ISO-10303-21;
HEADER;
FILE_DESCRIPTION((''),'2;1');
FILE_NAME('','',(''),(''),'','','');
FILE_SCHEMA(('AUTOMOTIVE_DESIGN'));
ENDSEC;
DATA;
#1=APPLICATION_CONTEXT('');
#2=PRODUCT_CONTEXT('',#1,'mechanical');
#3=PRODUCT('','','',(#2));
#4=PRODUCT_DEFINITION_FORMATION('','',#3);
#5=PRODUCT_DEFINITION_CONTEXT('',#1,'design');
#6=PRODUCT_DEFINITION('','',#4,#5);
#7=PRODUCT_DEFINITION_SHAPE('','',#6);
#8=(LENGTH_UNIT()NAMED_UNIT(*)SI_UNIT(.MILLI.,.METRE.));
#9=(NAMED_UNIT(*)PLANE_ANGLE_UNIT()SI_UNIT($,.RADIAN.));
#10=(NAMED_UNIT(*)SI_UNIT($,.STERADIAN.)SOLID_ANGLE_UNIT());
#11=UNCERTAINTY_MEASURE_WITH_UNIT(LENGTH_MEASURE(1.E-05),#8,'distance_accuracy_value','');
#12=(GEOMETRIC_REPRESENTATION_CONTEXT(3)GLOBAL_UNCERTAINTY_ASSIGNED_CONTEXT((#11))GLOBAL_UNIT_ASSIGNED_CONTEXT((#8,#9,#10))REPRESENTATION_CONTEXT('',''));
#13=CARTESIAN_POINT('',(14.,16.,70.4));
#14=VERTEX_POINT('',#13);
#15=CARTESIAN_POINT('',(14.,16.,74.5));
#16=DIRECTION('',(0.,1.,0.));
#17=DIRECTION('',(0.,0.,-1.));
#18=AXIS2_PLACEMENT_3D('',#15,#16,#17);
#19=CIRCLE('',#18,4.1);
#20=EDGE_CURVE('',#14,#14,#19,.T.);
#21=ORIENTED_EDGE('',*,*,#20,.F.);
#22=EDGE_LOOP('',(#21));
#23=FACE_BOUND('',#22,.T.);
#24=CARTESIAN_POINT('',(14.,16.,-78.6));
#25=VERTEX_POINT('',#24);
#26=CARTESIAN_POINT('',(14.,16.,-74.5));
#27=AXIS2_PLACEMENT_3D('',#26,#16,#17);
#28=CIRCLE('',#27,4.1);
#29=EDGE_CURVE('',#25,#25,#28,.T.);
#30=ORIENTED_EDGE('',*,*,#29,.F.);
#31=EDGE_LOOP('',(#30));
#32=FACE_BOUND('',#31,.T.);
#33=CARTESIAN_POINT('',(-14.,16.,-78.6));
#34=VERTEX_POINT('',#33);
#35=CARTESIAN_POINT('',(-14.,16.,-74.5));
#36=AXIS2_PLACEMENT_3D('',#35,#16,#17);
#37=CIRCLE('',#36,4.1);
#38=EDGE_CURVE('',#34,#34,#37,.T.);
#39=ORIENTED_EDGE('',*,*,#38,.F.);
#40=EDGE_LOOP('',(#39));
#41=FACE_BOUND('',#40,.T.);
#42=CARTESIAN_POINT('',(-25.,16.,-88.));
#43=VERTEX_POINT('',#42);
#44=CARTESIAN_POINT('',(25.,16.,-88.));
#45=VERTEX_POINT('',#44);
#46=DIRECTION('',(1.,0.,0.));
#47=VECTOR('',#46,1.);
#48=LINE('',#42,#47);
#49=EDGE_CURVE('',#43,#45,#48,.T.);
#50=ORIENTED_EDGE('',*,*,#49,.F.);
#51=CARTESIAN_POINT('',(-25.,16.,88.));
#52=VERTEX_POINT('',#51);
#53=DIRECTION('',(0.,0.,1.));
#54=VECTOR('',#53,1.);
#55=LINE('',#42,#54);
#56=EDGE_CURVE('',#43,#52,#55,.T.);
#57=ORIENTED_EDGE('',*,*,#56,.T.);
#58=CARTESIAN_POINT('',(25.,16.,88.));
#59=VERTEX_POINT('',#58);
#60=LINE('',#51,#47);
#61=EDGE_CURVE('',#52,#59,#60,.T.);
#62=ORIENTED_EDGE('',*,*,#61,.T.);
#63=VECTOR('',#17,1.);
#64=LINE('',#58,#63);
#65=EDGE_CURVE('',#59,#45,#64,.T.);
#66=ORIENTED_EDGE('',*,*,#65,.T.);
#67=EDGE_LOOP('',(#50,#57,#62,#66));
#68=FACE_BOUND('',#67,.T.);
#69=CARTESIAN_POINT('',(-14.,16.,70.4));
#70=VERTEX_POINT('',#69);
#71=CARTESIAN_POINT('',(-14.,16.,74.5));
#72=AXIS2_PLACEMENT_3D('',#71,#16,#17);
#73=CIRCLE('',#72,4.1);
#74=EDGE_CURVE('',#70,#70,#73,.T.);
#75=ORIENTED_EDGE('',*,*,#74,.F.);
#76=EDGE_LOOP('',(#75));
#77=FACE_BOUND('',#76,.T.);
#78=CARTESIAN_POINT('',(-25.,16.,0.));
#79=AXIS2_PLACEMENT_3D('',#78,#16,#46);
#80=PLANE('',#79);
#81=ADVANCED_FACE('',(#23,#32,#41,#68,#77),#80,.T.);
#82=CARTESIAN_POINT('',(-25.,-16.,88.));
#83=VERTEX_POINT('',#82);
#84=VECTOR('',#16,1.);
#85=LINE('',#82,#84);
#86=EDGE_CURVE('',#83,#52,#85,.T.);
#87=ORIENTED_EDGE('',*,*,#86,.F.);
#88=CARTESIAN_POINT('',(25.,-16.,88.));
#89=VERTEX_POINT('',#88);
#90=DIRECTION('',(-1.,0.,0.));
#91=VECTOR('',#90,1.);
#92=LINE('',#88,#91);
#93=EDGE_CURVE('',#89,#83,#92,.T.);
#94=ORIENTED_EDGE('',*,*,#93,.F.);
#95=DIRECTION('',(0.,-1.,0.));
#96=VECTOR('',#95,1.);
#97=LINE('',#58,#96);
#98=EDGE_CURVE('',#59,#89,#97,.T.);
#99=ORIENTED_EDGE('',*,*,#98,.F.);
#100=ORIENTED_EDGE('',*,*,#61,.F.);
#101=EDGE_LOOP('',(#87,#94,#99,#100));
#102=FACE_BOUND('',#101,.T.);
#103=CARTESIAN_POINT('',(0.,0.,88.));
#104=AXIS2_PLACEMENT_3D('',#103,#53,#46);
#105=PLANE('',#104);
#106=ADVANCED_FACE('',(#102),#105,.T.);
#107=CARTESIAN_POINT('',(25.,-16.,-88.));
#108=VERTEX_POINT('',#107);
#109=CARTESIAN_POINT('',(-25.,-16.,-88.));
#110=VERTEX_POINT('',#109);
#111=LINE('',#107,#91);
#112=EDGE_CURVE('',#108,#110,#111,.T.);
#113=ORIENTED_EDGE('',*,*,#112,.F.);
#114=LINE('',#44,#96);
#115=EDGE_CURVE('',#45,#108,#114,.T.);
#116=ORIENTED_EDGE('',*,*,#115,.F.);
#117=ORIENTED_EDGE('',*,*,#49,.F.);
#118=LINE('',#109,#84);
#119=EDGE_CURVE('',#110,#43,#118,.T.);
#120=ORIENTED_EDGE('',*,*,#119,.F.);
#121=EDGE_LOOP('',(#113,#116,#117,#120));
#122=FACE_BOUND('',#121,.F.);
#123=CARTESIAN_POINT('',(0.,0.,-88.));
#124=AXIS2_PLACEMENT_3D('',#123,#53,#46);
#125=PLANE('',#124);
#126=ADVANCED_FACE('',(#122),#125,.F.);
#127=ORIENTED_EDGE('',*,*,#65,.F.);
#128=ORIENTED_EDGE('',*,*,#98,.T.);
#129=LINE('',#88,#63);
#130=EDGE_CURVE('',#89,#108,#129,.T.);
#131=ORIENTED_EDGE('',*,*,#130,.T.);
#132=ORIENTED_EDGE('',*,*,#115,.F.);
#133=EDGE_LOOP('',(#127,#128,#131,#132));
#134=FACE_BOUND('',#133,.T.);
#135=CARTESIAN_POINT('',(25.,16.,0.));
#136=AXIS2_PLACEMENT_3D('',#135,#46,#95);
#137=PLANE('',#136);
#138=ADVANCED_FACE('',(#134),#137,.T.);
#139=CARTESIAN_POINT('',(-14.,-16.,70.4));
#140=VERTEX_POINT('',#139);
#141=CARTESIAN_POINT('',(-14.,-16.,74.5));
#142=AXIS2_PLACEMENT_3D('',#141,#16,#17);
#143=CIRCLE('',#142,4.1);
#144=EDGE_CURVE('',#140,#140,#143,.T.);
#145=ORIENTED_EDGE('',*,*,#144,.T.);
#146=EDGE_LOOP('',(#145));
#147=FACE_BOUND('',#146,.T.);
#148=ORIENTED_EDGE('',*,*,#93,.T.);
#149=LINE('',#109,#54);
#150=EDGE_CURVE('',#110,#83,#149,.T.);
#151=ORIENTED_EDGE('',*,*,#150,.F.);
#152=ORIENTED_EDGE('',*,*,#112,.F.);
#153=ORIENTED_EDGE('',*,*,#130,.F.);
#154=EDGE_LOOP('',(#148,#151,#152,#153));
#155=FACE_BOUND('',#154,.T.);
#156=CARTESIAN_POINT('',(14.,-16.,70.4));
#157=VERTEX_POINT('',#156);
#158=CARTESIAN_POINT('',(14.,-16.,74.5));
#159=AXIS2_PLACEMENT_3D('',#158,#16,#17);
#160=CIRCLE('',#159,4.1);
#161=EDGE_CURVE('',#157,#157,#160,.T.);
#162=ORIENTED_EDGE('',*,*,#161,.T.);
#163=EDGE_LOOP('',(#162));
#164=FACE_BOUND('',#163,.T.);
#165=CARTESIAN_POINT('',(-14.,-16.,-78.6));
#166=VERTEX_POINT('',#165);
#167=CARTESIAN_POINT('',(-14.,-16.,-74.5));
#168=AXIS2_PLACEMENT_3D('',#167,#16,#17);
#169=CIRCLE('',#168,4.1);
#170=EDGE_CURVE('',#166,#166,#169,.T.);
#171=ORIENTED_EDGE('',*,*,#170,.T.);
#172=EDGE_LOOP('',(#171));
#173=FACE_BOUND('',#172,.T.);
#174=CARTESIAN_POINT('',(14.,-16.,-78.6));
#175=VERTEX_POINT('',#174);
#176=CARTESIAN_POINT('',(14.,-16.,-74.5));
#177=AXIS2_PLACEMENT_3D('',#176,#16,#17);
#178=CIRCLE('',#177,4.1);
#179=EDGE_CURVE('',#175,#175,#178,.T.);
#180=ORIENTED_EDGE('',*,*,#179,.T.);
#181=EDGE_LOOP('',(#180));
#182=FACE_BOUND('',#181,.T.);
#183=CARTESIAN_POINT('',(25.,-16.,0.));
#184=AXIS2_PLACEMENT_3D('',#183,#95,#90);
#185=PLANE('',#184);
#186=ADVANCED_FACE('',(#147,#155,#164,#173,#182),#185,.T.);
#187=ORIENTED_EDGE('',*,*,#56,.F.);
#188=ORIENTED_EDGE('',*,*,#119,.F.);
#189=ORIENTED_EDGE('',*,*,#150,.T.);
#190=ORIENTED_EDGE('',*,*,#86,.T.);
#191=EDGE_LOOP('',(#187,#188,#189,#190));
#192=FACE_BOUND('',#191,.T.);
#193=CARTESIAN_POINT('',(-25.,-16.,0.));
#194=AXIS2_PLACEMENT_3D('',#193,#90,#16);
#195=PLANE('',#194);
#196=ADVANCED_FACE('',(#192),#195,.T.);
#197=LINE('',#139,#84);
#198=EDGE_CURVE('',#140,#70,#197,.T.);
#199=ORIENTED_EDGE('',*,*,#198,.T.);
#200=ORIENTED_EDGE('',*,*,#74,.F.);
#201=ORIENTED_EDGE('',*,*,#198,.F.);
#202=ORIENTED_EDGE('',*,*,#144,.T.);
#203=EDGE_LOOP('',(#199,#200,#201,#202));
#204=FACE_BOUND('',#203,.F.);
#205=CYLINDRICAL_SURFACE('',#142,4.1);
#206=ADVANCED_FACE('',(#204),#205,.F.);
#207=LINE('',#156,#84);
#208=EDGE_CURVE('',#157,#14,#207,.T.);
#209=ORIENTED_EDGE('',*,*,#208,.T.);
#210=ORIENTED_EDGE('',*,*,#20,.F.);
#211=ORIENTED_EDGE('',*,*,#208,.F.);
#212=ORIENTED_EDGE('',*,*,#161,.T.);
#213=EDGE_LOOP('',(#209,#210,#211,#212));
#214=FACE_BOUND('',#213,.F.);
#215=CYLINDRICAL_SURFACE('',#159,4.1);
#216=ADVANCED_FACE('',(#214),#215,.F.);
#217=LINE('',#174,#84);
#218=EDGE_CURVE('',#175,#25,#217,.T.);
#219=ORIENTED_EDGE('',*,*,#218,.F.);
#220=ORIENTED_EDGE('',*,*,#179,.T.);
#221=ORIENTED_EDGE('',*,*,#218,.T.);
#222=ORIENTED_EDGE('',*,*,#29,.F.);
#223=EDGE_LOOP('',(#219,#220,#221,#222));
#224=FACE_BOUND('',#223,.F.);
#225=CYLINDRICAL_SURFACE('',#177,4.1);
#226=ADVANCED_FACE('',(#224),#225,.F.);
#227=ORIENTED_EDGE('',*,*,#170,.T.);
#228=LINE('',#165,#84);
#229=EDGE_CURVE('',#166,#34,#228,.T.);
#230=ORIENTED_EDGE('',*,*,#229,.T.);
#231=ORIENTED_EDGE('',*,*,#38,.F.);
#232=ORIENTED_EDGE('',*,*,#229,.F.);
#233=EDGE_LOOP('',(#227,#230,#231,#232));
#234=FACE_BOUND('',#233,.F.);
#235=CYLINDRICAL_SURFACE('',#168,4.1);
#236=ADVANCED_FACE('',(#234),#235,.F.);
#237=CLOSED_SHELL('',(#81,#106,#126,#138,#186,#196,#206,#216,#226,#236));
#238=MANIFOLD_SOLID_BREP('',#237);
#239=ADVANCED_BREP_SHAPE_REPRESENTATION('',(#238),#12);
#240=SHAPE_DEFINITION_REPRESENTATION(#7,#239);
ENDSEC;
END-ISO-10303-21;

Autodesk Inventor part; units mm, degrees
ref_plane "YZ Plane" through (0, 0, 0) normal (1, 0, 0) x (0, 1, 0)
ref_plane "XZ Plane" through (0, 0, 0) normal (0, 1, 0) x (-1, 0, 0)
ref_plane "XY Plane" through (0, 0, 0) normal (0, 0, 1) x (1, 0, 0)
sketch "Sketch2" plane through (0, 0, 0) normal (0, 0, 1) x (1, 0, 0)
  line L0 (-25, 16) -> (25, 16)
  line L1 (25, 16) -> (25, -16)
  line L2 (25, -16) -> (-25, -16)
  line L3 (-25, -16) -> (-25, 16)
  line L4 (-25, 16) -> (25, -16) construction
  line L5 (25, 16) -> (-25, -16) construction
  point P0 (0, 0)
  dimension "d4" = 32
  dimension "d5" = 50
extrude "Extrusion1" add sketch "Sketch2" along normal mid plane 176
sketch "Sketch5" plane through (0, 0, -88) normal (0, 0, -1) x (-1, 0, 0)
  line L0 (-14, 0) -> (-25, 0) construction
  line L1 (-25, -16) -> (-25, 16) projected
  line L2 (14, 0) -> (25, 0) construction
  line L3 (25, 16) -> (25, -16) projected
  line L4 (-25, 0) -> (25, 0) construction
  point P0 (0, 0)
  dimension "d14" = 28
sketch "Sketch6" plane through (-25, -16, -88) normal (0, -1, 0) x (1, 0, 0)
  point P0 (25, 88)
sketch "Sketch9" plane through (-25, -16, 88) normal (0, -1, 0) x (1, 0, 0)
  line L0 (0, 0) -> (50, 0) projected
  line L1 (39, 0) -> (39, -176) construction
  line L2 (0, -176) -> (50, -176) projected
  line L3 (50, -176) -> (0, -176) construction
  line L4 (39, -13.5) -> (50, -13.5) construction
  line L5 (50, -176) -> (50, 0) construction
  line L6 (11, -13.5) -> (0, -13.5) construction
  line L7 (0, 0) -> (0, -176) construction
  line L8 (11, -13.5) -> (11, 0)
  line L9 (11, -162.5) -> (0, -162.5) construction
  line L10 (11, -162.5) -> (11, -176) construction
  point P0 (25, -88)
  point P1 (39, -162.5)
  dimension "d36" = 28
  dimension "d37" = 28
  dimension "d38" = 149
hole "Hole3" at (14, -16, 74.5) at (-14, -16, 74.5) at (14, -16, -74.5) at (-14, -16, -74.5) direction (0, 1, 0) diameter 8.2 end through all
properties part number "13042026-05"
